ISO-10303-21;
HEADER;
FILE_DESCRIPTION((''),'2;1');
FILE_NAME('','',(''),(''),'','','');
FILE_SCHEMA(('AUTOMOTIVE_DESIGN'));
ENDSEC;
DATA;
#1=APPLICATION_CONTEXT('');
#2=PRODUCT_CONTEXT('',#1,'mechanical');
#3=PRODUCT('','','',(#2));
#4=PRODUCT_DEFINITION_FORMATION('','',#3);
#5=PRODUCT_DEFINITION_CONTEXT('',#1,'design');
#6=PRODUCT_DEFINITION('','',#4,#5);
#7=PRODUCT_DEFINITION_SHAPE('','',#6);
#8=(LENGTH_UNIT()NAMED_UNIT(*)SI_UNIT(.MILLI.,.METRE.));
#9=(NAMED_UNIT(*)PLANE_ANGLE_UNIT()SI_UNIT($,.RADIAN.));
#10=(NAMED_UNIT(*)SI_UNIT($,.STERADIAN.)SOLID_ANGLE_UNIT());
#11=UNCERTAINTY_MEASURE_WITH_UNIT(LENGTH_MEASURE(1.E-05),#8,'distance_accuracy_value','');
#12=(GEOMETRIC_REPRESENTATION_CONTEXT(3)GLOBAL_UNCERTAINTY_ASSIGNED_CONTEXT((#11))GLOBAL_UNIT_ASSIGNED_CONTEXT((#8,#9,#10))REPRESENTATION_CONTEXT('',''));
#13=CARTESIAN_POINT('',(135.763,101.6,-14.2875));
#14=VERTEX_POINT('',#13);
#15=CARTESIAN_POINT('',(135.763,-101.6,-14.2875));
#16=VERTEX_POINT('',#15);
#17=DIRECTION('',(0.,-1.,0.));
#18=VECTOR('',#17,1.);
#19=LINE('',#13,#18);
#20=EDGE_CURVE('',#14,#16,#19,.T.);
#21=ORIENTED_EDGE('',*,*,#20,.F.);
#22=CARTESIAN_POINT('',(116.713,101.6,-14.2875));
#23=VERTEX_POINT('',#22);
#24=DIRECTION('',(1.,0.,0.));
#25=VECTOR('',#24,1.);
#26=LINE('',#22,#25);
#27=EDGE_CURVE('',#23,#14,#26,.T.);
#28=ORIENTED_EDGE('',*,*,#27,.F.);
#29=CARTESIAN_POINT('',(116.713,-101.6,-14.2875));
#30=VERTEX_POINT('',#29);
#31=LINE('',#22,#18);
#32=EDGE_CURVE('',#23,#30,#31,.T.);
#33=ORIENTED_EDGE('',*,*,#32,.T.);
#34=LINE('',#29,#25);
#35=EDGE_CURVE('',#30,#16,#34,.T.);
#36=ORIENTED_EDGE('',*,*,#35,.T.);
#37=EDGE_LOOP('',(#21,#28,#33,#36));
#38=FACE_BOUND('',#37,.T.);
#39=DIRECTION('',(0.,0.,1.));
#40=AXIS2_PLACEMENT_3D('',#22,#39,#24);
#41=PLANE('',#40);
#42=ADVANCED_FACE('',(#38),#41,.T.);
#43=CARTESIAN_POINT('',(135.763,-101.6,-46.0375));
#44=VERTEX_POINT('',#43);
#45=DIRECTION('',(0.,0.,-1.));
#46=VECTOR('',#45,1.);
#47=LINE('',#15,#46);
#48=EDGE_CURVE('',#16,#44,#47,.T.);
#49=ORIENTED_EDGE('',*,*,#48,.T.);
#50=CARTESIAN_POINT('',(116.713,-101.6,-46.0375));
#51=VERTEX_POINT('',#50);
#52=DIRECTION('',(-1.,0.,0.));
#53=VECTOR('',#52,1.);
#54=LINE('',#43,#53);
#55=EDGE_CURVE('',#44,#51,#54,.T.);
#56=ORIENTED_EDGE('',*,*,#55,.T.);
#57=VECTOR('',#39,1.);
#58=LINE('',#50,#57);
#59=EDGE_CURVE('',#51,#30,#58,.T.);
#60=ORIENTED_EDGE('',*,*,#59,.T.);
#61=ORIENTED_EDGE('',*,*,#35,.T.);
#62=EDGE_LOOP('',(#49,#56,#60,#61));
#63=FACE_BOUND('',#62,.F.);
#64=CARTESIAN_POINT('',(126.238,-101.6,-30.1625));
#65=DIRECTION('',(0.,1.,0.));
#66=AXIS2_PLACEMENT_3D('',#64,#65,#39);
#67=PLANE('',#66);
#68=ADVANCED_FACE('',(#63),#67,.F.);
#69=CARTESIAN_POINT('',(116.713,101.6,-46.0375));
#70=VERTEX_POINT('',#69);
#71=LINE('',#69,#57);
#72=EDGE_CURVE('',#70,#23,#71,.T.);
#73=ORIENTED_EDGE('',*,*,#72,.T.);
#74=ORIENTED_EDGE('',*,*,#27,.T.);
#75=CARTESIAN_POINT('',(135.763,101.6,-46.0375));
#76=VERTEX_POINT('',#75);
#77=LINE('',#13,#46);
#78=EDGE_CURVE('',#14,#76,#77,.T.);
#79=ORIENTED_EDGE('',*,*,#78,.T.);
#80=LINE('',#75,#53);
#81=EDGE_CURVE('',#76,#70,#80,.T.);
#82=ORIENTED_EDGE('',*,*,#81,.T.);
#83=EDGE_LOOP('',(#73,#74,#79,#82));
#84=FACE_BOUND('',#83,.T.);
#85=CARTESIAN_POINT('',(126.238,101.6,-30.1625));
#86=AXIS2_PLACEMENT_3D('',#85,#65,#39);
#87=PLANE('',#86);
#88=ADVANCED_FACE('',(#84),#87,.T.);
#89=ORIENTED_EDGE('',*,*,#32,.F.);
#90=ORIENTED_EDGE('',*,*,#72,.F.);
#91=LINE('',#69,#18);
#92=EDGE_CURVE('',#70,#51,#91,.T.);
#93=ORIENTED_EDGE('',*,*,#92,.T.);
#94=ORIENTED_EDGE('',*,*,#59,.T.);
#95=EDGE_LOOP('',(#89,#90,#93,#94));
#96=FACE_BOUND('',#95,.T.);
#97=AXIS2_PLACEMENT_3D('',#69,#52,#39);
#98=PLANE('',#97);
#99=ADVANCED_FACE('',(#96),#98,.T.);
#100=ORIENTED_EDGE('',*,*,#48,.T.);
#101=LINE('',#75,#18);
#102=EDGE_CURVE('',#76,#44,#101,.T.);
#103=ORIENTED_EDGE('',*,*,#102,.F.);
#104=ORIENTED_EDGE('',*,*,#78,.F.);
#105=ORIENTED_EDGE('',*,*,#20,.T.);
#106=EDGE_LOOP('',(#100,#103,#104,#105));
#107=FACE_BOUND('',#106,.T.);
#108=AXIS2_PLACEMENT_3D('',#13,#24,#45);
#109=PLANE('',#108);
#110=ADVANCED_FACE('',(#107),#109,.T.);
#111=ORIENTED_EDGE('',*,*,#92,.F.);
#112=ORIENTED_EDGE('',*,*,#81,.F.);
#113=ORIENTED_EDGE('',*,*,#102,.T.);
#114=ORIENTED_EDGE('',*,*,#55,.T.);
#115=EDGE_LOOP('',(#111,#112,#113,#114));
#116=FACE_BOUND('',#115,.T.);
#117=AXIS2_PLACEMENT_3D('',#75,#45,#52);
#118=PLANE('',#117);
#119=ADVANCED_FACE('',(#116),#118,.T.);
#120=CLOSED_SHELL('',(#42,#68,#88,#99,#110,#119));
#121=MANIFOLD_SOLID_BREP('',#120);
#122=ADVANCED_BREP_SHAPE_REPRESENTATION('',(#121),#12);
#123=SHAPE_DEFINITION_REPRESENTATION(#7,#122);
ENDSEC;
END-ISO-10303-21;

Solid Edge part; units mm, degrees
sketch "Sketch1" plane through (72.644, 101.6, 2.3812) normal (0, -1, 0) x (1, 0, 0)
  line L0 (63.119, -48.4187) -> (44.069, -48.4187)
  line L1 (44.069, -48.4187) -> (44.069, -16.6687)
  line L2 (44.069, -16.6687) -> (63.119, -16.6687)
  line L3 (63.119, -16.6687) -> (63.119, -48.4187)
  dimension "D1" = 19.05
  dimension "D2" = 31.75
extrude "Protrusion1" add sketch "Sketch1" along normal up to vertex (203.2 mm away)
